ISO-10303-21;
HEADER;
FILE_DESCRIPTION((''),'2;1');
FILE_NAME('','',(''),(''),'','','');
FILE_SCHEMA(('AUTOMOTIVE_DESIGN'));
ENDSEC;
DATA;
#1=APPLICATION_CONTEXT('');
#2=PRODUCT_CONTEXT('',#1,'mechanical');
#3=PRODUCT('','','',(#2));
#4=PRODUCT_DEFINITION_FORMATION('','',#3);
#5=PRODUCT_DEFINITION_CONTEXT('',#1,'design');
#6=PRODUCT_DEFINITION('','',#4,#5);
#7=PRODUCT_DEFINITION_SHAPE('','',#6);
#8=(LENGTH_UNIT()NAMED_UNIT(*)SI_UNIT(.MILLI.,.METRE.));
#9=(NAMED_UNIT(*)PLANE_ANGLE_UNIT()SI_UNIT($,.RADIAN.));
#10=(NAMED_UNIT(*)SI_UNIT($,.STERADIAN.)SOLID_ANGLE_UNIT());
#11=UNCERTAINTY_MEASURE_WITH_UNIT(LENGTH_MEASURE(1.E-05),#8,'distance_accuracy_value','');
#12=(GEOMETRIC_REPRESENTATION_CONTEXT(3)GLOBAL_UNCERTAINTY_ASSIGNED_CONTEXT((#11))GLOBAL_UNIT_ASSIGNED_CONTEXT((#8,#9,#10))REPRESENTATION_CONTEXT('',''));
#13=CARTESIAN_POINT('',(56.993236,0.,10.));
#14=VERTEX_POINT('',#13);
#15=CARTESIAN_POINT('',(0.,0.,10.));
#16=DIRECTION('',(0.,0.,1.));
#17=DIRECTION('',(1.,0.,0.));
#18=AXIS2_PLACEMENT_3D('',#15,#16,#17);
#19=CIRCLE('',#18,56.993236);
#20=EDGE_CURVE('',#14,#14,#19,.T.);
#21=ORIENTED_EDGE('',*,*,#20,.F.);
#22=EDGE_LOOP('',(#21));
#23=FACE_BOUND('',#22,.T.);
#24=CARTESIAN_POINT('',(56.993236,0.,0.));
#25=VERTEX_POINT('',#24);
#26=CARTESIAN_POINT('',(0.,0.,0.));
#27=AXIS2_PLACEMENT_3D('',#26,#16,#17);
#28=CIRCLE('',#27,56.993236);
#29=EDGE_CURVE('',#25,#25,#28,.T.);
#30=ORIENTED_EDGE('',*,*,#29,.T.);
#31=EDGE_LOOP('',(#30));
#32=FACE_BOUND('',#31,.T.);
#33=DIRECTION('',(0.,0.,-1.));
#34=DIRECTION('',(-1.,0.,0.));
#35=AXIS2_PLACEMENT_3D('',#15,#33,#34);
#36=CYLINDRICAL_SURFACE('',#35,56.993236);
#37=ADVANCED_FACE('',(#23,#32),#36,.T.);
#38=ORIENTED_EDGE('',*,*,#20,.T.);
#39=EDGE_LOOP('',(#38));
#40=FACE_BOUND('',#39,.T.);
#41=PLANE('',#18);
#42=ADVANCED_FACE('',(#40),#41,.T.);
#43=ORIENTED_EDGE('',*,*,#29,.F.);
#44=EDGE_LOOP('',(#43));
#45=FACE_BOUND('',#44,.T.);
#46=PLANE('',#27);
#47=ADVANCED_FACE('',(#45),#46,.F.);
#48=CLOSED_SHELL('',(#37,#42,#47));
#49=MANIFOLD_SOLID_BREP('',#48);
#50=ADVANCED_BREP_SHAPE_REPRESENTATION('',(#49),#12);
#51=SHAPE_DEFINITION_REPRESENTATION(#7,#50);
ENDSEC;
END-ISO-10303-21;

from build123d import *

# Parameters (mm, degrees)
SKETCH1_R           = 56.993236011
BOSS_EXTRUDE1_DEPTH = 10


with BuildPart() as part:
    # Sketch1 → Boss-Extrude1 (new body)
    with BuildSketch(Plane.XY):
        Circle(SKETCH1_R)
    extrude(amount=BOSS_EXTRUDE1_DEPTH)


solid = part.part
